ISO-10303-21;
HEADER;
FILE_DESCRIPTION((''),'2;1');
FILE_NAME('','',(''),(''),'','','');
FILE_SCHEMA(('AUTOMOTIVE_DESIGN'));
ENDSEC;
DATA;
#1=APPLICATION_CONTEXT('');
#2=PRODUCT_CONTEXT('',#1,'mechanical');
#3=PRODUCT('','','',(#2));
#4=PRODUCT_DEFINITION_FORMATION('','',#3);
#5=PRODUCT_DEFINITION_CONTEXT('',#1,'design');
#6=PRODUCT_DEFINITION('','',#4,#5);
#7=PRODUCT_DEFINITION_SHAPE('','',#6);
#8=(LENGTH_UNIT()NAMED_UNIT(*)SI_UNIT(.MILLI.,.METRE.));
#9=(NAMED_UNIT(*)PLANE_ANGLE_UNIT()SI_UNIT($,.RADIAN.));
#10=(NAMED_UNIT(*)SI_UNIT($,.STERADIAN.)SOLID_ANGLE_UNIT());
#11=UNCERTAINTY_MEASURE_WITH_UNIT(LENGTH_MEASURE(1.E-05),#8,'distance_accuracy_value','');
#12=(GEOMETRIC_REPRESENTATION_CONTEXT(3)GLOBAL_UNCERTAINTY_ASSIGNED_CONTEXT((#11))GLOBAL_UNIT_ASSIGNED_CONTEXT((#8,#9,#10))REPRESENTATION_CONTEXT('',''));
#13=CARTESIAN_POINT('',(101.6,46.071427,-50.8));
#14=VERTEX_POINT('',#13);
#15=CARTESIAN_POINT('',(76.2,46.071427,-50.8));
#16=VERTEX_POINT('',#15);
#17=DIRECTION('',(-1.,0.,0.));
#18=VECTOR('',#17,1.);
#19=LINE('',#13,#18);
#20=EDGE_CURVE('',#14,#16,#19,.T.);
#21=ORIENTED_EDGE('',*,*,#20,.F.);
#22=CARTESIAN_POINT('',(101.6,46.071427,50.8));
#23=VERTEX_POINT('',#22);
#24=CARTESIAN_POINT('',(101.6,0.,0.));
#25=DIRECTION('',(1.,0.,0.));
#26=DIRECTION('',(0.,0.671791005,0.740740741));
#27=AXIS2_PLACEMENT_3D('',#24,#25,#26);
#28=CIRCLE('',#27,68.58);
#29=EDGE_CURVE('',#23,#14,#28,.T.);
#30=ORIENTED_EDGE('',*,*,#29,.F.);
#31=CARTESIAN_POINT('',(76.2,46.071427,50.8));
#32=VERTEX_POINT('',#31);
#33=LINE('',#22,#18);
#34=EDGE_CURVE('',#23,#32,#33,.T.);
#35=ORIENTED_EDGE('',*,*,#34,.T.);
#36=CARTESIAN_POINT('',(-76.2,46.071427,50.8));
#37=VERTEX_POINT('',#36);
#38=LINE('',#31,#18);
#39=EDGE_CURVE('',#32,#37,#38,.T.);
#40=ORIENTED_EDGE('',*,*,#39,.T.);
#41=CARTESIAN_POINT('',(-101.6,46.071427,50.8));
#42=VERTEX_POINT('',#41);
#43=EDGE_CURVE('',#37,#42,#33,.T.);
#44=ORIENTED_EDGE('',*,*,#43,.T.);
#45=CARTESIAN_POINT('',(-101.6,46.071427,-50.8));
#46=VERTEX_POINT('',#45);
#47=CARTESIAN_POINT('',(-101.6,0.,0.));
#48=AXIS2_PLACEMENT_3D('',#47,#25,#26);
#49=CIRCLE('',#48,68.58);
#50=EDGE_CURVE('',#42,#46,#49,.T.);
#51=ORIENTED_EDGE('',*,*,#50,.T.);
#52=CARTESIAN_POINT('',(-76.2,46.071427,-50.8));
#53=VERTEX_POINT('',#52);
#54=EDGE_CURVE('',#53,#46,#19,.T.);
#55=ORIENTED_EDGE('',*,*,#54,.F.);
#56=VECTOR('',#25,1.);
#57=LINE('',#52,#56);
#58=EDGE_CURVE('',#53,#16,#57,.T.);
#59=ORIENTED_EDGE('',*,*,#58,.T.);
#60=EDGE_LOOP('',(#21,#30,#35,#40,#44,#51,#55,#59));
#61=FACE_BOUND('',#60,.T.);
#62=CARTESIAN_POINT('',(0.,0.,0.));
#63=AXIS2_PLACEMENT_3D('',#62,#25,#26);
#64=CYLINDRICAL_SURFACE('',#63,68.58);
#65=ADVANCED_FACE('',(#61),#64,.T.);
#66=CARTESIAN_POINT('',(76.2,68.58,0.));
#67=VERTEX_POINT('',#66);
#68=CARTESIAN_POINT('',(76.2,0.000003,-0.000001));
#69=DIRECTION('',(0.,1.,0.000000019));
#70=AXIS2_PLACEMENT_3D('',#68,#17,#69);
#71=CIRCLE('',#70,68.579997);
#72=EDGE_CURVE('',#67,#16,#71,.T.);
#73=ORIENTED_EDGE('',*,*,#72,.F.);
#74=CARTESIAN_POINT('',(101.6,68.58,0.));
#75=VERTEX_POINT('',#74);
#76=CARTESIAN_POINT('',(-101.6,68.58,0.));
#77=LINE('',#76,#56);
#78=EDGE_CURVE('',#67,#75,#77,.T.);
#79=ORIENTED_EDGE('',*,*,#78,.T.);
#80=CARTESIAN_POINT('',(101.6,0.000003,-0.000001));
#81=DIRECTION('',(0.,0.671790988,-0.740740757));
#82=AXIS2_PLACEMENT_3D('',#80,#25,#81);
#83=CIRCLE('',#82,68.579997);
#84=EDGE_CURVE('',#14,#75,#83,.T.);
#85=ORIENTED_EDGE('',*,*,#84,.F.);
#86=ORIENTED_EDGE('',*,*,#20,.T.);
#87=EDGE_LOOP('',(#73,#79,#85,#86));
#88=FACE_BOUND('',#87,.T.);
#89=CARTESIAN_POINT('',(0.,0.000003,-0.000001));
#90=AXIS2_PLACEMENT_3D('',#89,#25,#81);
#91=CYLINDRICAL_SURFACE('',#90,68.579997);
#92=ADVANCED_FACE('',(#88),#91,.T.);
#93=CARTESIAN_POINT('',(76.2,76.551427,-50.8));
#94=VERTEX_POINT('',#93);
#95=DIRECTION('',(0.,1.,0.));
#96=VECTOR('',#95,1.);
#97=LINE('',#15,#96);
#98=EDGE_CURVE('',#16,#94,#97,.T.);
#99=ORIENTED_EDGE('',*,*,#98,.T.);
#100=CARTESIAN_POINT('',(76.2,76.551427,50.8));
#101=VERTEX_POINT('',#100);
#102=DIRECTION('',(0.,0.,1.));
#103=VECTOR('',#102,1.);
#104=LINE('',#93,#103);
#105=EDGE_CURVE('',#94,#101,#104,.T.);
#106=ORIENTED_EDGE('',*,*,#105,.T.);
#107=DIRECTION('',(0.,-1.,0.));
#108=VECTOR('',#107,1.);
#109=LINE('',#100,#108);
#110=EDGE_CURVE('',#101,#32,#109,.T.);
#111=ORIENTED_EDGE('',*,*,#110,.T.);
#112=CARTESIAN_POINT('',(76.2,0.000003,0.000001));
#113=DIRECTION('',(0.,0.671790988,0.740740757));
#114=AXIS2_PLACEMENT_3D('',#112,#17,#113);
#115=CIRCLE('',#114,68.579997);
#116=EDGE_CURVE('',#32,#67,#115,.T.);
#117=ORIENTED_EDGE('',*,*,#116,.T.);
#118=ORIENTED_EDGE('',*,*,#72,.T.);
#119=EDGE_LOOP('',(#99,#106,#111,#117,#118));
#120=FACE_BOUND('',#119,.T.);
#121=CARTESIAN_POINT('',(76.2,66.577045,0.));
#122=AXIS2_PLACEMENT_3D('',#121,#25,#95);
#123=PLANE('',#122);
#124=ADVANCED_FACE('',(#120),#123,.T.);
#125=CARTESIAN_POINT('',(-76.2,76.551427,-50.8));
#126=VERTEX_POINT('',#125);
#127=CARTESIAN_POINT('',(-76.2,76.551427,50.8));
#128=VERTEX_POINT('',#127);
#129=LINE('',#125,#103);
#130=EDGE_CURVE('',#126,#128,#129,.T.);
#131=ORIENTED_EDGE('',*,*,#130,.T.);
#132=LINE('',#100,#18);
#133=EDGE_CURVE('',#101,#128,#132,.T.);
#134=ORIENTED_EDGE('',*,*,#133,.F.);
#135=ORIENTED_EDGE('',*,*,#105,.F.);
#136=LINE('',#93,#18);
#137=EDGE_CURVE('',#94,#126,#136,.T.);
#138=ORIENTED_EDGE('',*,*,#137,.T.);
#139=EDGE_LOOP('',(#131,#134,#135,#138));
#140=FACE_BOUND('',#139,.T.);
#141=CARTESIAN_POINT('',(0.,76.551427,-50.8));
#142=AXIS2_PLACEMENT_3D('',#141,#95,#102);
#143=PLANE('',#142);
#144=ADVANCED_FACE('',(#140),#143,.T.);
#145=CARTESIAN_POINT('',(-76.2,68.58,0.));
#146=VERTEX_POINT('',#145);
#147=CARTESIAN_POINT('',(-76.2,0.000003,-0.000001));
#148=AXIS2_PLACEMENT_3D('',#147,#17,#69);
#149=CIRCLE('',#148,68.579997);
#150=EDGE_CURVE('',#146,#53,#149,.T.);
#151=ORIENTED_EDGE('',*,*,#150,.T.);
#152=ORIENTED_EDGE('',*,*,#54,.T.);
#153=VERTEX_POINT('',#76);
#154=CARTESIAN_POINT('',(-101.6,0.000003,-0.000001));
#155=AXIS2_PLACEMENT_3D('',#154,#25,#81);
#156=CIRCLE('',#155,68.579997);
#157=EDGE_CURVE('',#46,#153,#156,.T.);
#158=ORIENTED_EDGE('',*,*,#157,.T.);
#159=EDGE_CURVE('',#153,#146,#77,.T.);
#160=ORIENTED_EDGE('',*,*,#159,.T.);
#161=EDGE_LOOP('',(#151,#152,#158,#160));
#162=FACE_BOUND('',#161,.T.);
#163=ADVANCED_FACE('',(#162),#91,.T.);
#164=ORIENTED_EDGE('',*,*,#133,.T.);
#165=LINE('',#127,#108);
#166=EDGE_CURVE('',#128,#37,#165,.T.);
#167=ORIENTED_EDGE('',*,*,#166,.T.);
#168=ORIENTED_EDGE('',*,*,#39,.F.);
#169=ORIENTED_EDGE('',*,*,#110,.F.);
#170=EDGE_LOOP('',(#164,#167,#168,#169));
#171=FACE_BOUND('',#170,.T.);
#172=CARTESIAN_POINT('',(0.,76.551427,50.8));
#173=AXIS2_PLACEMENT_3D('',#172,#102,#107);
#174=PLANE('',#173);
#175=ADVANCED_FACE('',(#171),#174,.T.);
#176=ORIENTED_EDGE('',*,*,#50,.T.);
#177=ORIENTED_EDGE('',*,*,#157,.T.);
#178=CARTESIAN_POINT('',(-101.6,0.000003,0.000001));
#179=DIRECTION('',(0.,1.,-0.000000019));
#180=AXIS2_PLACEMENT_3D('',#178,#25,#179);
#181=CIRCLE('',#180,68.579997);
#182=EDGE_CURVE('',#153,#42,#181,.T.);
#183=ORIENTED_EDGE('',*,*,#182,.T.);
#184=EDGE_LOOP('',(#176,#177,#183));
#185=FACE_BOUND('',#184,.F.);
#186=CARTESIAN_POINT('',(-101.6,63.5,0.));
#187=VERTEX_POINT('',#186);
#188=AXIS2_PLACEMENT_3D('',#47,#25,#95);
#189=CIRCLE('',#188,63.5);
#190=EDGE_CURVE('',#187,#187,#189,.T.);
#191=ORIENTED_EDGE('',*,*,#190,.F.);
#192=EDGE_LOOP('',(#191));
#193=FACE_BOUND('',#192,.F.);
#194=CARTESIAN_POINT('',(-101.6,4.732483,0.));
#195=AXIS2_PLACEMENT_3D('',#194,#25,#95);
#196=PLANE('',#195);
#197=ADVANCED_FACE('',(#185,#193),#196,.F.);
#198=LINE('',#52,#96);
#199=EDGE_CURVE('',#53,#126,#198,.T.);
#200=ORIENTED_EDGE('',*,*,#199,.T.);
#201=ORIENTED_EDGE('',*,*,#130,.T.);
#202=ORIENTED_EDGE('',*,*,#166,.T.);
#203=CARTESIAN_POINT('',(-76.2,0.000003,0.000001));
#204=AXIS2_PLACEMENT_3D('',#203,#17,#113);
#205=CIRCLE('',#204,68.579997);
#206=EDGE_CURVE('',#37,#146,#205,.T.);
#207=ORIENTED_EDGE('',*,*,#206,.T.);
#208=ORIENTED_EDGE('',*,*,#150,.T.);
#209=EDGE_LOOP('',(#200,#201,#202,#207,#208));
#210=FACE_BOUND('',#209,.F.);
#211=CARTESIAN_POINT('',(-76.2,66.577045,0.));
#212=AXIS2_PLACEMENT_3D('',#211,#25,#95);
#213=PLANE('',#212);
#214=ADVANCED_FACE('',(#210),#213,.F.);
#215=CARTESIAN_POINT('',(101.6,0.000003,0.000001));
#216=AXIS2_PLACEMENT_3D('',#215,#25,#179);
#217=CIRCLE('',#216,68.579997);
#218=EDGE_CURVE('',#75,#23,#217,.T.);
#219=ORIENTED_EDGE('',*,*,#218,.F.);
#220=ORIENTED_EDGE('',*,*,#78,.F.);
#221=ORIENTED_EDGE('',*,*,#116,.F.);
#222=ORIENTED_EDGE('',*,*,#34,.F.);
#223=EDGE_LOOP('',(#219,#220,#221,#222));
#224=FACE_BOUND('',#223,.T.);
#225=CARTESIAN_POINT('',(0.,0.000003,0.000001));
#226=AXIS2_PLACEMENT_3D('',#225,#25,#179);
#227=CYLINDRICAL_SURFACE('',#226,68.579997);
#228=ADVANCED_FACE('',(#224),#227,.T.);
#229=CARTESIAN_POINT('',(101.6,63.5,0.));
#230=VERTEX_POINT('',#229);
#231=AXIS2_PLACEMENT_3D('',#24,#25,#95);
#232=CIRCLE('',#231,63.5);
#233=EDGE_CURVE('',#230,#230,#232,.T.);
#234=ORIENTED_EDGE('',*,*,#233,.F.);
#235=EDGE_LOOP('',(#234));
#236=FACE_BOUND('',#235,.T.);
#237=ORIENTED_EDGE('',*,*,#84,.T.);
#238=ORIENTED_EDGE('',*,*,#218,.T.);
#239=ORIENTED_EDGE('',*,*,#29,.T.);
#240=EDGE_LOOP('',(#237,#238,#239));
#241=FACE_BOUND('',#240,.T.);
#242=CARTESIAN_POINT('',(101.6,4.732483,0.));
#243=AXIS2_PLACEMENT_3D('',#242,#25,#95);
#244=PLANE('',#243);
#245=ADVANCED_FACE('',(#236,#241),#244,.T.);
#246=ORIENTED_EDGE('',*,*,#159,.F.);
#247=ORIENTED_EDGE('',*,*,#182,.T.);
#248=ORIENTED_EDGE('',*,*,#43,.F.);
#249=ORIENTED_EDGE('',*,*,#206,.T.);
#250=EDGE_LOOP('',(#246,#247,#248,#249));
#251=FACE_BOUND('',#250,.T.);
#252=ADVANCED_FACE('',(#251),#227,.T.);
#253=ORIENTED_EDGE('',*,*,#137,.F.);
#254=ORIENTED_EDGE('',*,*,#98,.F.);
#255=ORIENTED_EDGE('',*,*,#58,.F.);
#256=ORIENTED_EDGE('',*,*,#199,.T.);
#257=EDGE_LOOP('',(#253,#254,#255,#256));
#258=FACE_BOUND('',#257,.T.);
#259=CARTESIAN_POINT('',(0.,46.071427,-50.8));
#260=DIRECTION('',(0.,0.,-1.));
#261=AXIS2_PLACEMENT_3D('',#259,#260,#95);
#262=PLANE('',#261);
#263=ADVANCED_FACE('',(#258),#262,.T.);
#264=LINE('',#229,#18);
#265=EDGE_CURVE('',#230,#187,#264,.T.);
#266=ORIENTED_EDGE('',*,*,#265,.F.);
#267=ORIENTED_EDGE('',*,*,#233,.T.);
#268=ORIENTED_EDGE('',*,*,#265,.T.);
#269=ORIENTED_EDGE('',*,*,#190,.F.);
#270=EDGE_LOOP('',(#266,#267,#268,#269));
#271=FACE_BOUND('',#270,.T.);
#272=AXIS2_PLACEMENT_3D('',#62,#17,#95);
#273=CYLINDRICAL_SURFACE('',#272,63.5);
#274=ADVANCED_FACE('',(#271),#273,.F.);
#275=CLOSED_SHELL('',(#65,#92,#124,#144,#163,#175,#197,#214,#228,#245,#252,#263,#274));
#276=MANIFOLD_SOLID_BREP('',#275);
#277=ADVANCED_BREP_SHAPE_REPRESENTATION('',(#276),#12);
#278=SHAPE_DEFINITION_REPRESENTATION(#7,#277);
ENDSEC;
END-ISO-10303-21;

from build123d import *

# Parameters (mm, degrees)
F0_R     = 63.5
F1_DEPTH = 101.6
F2_DEPTH = 76.2


with BuildPart() as f1:
    # F0 (on Right) → F1 (new body, symmetric)
    with BuildSketch(Plane.YZ):
        with BuildLine():
            ThreePointArc((46.071427, -50.8), (62.700857, -27.78163), (68.58, 0))
            ThreePointArc((68.58, 0), (62.700857, 27.78163), (46.071427, 50.8))
            ThreePointArc((46.071427, 50.8), (-68.58, 0), (46.071427, -50.8))
        make_face()
        Circle(F0_R, mode=Mode.SUBTRACT)
    extrude(amount=F1_DEPTH, both=True)

    # F0 (on Right) → F2 (join, symmetric)
    with BuildSketch(Plane.YZ):
        with BuildLine():
            ThreePointArc((46.071427, 50.8), (62.700857, 27.78163), (68.58, 0))
            ThreePointArc((68.58, 0), (62.700857, -27.78163), (46.071427, -50.8))
            Line((46.071427, -50.8), (76.551427, -50.8))
            Line((76.551427, -50.8), (76.551427, 0))
            Line((76.551427, 0), (76.551427, 50.8))
            Line((76.551427, 50.8), (46.071427, 50.8))
        make_face()
    extrude(amount=F2_DEPTH, both=True)


solid = f1.part
